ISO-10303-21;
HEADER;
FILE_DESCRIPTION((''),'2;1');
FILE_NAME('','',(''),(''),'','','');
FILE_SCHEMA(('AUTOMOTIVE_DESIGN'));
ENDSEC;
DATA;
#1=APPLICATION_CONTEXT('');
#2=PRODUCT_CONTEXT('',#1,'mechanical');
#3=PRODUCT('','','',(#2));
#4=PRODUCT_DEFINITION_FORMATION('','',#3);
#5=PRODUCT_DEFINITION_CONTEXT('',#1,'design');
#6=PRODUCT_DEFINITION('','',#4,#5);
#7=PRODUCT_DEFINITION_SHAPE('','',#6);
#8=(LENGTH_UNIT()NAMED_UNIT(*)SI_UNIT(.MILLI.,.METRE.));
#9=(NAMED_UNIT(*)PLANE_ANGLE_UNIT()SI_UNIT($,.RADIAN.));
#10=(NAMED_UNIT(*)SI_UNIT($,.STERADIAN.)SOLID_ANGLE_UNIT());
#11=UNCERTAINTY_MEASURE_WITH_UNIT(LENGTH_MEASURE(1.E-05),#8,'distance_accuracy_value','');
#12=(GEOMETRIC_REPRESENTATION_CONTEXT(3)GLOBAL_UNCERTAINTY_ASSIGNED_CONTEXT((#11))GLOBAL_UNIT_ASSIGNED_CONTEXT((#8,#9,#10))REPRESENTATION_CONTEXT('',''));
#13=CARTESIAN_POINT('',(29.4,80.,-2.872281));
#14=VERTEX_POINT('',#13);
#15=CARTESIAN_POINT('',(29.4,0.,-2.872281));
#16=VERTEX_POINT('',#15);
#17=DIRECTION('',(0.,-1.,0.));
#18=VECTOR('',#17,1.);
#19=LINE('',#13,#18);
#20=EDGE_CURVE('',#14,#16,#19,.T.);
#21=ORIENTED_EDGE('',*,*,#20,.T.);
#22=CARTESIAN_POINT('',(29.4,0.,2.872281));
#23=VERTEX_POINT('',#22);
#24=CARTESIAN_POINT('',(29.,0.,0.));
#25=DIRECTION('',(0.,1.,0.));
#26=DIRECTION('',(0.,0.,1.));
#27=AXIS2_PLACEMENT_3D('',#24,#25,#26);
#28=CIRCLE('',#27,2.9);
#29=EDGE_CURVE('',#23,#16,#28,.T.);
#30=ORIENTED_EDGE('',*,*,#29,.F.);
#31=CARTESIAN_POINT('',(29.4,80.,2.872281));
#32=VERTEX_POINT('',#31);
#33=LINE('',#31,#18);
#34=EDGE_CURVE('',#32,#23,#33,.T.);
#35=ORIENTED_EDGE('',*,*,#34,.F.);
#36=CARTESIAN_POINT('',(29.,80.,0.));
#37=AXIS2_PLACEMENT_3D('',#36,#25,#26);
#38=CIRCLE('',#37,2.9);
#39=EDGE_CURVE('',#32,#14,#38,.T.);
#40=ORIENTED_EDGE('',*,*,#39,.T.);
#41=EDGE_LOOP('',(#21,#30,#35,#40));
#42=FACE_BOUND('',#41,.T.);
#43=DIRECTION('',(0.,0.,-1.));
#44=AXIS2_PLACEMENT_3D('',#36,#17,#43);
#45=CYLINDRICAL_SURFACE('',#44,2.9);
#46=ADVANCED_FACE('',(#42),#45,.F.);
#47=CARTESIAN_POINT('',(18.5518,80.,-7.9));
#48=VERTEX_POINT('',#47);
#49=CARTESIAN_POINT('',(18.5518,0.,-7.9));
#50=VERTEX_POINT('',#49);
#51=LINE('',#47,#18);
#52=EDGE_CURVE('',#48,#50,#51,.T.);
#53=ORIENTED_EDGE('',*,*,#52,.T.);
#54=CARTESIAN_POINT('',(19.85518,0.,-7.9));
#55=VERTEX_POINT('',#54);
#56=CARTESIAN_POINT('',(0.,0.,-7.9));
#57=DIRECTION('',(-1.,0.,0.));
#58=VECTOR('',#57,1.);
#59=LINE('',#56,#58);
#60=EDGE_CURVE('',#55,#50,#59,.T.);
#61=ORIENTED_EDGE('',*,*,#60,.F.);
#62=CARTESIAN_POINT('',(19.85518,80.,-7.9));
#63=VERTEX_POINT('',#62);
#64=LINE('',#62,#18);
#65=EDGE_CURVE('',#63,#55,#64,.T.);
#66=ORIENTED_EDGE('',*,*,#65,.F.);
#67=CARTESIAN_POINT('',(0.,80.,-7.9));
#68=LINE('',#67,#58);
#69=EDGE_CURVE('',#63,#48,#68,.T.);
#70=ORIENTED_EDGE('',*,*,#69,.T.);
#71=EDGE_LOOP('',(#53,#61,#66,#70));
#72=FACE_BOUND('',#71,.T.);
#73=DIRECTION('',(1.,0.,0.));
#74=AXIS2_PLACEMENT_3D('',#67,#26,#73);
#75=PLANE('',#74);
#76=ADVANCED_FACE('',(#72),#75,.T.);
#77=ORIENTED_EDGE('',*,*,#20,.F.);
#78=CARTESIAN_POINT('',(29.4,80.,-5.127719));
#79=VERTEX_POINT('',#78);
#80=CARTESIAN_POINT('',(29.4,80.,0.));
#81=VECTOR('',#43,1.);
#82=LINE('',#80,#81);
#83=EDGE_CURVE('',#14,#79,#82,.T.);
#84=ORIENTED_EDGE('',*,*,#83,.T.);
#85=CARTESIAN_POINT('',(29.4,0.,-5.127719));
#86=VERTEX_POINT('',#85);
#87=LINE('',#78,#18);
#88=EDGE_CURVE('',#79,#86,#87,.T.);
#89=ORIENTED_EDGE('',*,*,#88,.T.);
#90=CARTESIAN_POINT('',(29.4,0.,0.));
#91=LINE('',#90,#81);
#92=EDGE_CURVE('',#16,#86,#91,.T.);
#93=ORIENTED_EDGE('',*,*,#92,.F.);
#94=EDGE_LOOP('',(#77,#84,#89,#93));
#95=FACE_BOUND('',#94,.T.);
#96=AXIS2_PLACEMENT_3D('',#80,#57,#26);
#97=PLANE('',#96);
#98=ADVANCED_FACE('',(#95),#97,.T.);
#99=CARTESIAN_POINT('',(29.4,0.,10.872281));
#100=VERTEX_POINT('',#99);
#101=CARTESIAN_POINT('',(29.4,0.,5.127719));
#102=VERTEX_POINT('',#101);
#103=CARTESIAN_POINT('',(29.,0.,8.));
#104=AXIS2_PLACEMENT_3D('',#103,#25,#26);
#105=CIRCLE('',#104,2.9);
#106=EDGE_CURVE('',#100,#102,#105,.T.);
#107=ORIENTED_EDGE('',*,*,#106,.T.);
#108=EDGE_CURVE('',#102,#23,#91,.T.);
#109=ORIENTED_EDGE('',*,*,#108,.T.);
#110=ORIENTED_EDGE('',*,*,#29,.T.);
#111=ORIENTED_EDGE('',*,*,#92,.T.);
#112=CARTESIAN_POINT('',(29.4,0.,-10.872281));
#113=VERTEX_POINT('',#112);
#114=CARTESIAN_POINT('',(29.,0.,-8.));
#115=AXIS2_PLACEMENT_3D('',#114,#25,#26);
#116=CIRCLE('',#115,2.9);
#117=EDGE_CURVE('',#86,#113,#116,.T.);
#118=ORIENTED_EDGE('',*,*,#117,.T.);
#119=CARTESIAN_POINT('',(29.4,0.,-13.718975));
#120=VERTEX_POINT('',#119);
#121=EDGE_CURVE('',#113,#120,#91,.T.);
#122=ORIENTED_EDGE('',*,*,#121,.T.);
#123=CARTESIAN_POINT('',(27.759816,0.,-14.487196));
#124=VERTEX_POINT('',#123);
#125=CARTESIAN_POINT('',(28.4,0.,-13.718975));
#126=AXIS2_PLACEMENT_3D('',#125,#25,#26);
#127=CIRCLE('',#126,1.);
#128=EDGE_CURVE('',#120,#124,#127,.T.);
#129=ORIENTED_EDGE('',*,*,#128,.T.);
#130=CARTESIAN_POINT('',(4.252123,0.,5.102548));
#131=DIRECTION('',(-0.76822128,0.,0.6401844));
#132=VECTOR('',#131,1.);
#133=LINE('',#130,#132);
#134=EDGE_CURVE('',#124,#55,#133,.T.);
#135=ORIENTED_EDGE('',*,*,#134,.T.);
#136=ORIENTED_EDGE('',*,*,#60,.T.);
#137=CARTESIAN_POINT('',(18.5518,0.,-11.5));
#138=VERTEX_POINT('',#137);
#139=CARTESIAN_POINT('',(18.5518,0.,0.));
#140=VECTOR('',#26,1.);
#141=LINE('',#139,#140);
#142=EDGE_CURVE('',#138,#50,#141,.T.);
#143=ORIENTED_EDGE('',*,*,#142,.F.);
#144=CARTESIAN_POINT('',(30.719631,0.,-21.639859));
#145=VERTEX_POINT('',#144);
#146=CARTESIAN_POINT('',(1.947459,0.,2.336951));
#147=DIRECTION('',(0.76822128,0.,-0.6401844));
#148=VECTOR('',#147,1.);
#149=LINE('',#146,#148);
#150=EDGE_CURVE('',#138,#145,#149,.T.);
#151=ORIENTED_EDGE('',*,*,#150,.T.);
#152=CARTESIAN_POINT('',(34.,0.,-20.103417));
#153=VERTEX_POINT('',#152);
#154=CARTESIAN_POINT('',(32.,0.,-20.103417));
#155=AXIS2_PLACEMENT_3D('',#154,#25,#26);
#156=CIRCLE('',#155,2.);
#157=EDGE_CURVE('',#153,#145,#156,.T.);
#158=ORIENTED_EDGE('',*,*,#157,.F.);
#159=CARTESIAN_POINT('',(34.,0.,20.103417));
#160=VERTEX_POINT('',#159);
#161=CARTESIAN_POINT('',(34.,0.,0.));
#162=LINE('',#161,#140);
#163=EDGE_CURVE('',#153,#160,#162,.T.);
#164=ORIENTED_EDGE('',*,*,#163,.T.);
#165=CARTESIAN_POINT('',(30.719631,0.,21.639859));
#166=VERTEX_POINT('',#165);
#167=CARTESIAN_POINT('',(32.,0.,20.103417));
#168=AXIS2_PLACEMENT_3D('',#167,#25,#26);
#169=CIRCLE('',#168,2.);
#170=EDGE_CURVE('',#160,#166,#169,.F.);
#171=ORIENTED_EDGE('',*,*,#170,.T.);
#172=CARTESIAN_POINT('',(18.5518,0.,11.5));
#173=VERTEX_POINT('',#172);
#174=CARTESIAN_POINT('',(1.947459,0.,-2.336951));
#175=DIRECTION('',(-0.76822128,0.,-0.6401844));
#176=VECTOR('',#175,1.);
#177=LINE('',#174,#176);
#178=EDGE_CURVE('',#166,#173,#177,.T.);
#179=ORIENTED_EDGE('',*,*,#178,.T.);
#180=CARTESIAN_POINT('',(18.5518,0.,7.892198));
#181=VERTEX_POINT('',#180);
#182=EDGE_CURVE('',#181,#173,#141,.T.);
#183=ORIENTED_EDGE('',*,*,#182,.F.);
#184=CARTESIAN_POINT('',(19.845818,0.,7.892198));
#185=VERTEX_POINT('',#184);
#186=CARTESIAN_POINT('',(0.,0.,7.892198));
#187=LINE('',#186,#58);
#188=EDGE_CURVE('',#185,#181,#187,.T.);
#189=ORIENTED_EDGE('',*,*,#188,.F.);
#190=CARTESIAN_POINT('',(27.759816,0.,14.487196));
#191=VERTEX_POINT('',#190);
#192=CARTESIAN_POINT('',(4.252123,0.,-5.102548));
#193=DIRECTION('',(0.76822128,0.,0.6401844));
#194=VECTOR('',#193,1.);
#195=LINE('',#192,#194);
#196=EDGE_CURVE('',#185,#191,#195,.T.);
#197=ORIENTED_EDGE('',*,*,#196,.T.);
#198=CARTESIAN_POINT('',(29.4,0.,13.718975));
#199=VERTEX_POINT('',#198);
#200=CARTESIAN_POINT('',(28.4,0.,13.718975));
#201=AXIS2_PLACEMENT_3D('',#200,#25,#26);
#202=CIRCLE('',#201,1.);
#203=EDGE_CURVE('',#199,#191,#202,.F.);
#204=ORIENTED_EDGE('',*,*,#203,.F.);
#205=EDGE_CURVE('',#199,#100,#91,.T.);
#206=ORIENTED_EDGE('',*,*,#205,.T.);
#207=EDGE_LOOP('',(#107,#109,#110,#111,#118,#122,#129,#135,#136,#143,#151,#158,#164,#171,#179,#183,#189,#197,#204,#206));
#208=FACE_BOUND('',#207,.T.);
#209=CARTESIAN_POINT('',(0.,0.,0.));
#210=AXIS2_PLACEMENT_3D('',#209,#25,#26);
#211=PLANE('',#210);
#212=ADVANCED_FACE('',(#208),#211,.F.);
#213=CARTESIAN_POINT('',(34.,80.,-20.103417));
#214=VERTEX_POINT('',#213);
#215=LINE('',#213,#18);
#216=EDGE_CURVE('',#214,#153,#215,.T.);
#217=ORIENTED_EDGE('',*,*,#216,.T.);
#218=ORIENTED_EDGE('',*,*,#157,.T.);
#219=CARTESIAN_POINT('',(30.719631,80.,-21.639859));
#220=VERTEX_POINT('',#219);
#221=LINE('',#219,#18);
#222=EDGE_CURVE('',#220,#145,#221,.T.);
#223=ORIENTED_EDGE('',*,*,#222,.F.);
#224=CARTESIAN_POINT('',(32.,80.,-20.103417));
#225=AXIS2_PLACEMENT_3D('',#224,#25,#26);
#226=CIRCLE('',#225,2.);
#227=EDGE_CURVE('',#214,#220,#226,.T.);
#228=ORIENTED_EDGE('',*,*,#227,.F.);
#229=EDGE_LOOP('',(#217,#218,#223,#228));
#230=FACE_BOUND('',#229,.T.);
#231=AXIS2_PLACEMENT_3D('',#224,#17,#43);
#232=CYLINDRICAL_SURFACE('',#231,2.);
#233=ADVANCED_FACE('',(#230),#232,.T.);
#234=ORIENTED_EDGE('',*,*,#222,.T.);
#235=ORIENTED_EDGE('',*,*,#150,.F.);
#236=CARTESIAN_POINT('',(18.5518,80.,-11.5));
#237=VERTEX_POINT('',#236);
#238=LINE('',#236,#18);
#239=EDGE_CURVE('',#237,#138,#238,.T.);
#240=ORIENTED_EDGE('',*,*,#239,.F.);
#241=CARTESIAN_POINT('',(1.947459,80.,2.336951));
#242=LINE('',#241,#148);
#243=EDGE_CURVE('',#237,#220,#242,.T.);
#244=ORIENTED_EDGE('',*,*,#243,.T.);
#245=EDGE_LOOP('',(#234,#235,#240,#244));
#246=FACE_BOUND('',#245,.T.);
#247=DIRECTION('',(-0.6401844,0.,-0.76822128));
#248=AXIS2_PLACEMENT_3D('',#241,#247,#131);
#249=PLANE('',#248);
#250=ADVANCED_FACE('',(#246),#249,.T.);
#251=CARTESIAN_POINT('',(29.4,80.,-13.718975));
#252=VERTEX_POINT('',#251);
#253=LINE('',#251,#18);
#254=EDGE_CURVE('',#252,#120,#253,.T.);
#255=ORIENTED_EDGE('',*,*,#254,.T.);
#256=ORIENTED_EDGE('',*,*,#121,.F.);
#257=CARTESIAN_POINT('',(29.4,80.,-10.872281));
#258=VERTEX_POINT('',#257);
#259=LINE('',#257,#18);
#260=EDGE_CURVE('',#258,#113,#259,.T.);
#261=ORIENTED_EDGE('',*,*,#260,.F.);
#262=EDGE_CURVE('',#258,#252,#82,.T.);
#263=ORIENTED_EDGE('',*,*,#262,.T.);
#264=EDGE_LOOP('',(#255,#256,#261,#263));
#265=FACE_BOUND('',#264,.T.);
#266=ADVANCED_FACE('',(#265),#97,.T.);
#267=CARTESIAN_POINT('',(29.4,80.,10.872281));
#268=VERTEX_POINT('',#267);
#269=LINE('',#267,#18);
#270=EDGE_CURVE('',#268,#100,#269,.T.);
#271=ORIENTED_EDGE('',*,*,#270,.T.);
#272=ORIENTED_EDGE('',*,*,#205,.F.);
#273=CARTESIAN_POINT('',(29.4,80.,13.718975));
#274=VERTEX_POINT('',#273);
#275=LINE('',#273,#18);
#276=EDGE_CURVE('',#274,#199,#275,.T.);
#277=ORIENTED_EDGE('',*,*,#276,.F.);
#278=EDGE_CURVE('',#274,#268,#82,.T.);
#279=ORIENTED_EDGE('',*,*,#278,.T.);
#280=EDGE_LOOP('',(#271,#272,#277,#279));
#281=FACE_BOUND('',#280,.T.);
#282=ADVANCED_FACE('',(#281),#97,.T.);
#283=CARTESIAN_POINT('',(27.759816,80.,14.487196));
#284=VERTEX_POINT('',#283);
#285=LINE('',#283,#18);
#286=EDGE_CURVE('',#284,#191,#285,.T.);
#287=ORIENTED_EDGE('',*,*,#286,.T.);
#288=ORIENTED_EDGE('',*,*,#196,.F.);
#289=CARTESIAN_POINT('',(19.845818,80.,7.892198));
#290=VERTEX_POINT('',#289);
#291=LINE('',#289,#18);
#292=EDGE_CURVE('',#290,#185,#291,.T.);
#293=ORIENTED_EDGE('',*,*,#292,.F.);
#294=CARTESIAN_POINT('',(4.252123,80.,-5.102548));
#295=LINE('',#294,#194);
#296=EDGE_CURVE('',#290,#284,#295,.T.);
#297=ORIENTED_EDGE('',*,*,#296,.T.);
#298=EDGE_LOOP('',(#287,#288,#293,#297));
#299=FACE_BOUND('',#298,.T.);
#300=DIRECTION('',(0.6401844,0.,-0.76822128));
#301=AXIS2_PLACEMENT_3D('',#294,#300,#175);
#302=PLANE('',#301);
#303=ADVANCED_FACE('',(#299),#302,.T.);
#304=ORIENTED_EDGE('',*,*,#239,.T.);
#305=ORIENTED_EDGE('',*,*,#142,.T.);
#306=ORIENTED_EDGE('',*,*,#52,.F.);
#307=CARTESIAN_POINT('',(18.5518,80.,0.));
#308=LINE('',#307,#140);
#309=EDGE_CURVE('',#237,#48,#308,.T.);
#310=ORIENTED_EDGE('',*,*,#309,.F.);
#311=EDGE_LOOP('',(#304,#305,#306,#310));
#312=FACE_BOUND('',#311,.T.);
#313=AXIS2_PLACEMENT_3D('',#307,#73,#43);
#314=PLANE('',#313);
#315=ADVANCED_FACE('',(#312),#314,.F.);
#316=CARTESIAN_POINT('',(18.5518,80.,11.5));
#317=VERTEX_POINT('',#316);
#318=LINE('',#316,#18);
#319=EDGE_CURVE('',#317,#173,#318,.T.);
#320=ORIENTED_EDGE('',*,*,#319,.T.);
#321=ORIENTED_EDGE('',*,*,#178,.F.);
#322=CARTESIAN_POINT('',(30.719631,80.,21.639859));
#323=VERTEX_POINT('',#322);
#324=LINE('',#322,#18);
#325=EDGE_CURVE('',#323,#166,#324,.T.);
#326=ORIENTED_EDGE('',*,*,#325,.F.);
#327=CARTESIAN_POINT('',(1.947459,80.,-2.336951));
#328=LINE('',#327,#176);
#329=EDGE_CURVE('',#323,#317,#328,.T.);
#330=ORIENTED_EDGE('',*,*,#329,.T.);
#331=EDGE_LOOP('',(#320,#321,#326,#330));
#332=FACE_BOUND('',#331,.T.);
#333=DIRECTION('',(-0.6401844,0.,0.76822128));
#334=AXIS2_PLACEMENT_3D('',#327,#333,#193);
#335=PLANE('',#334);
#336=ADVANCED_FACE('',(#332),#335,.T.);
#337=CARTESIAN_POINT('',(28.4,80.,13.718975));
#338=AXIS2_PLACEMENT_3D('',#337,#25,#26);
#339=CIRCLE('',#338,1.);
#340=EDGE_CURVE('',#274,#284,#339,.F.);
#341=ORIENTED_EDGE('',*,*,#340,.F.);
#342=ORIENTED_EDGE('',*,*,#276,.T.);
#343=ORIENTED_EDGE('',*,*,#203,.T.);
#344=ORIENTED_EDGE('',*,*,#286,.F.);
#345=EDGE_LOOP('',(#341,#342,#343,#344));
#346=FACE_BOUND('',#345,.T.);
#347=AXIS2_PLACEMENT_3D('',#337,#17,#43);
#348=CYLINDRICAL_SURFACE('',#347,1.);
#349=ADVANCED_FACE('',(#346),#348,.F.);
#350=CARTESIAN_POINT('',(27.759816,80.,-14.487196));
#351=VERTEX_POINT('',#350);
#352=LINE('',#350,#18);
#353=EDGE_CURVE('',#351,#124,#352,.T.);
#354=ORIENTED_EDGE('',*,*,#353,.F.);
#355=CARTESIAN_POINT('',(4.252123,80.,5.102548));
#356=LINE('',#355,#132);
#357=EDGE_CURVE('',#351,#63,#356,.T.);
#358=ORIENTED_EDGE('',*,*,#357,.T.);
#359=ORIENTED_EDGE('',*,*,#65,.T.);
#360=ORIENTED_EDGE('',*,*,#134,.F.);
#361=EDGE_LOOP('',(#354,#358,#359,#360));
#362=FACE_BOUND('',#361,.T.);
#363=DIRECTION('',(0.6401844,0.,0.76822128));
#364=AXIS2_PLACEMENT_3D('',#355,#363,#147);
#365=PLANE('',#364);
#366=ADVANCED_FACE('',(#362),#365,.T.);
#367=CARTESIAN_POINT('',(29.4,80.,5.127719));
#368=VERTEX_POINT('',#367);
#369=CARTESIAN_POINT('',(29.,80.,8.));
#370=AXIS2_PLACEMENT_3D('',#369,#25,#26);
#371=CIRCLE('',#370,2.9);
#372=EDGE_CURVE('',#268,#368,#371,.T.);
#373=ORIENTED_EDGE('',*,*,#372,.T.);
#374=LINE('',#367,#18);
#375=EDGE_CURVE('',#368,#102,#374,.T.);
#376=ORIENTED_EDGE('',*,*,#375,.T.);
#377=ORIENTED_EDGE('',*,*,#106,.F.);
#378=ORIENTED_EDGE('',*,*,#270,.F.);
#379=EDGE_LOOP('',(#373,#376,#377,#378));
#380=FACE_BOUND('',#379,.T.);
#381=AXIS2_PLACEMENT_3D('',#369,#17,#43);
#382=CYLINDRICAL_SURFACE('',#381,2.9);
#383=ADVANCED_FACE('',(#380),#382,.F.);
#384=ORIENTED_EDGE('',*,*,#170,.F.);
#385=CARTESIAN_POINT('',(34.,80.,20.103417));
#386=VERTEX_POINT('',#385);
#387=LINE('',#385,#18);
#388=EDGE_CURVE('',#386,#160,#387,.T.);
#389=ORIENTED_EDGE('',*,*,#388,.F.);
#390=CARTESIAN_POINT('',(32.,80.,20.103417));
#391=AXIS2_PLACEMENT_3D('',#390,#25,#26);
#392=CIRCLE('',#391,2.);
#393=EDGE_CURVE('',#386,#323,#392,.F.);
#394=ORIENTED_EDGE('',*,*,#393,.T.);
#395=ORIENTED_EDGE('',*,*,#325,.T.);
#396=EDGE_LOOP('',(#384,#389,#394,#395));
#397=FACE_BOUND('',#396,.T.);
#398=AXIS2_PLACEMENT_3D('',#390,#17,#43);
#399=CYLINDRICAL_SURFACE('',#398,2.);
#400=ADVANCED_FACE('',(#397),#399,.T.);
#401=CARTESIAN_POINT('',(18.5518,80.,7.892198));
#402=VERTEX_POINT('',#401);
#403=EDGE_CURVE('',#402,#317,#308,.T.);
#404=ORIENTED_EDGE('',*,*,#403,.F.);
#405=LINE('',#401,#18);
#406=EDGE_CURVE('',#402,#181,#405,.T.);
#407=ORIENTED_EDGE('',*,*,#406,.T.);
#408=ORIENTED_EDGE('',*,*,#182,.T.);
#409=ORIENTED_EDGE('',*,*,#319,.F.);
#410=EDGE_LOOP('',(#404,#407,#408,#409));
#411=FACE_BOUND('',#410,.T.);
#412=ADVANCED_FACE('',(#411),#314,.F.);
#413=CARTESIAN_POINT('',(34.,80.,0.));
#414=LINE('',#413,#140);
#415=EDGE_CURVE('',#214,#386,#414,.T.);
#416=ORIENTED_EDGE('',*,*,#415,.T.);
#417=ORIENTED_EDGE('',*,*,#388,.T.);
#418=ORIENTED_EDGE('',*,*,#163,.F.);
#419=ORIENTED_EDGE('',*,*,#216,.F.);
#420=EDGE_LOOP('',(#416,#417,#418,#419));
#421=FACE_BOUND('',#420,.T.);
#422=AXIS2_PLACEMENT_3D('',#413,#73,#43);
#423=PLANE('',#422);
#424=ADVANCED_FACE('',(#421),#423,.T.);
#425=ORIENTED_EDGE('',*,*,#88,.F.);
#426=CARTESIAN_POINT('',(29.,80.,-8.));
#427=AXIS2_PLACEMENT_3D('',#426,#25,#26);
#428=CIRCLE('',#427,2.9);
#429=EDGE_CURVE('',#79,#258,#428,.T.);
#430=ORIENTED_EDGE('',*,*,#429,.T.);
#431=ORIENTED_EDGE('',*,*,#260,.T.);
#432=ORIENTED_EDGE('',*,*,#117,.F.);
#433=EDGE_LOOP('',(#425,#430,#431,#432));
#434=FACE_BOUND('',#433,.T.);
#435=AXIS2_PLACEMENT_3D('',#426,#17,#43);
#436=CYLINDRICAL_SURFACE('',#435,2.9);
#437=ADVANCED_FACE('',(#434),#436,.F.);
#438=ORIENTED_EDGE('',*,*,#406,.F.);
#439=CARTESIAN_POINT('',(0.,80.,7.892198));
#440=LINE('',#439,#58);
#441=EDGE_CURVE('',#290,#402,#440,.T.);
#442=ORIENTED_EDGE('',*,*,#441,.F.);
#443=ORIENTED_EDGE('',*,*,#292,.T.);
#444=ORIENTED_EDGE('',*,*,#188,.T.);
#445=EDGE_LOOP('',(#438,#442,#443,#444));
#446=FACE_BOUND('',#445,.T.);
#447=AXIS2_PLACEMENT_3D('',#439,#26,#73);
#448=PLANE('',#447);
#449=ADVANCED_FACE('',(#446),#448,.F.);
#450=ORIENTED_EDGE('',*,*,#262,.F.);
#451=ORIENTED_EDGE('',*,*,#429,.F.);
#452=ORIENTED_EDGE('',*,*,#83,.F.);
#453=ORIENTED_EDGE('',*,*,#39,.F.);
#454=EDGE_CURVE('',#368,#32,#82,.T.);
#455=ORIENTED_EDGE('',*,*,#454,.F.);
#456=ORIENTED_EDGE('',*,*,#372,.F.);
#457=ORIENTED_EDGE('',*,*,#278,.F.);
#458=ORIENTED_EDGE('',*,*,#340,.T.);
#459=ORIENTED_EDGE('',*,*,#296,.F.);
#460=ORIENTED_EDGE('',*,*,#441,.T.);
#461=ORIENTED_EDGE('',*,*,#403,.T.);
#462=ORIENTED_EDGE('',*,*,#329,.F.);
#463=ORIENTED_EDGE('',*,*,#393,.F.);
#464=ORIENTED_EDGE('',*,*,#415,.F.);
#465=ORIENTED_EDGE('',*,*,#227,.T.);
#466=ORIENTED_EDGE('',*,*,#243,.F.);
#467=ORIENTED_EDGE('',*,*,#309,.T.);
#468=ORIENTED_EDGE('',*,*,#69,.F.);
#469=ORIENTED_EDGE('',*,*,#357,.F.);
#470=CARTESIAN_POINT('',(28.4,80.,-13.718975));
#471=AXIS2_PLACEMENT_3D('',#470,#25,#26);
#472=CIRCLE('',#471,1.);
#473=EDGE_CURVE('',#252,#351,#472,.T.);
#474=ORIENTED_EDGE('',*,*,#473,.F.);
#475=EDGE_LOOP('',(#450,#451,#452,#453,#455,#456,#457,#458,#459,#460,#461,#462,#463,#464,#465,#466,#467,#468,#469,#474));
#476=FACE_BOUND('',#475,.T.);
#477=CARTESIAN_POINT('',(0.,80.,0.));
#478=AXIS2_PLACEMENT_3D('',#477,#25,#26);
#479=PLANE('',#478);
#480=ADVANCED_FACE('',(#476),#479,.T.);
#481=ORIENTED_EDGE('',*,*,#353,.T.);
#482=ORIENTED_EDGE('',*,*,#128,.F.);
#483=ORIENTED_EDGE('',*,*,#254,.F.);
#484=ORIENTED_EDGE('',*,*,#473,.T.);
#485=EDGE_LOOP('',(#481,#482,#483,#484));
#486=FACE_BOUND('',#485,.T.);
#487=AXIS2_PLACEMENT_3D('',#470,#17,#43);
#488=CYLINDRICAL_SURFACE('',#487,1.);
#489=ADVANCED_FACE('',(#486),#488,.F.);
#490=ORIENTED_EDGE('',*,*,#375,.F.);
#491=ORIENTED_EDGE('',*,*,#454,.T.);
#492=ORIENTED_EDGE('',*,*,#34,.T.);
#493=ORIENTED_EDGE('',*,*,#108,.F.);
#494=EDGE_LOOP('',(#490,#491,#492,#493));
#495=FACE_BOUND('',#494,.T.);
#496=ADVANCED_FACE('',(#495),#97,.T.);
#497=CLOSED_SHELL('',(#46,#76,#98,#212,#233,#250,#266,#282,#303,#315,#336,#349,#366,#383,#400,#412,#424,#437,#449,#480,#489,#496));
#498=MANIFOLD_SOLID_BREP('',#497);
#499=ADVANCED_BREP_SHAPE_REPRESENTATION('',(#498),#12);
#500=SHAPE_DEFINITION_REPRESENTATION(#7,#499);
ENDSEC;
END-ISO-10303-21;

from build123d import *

# Parameters (mm, degrees)
BOSS_EXTRUDE1_DEPTH = 80


with BuildPart() as part:
    # Sketch1 → Boss-Extrude1 (new body)
    with BuildSketch(Plane(origin=(0, 0, 0), x_dir=(1, 0, 0), z_dir=(0, 1, 0))):
        with BuildLine():
            Line((18.551800259, 11.5), (18.551800259, 7.9))
            Line((18.551800259, 7.9), (19.855180026, 7.9))
            Line((19.855180026, 7.9), (27.7598156, 14.487196312))
            ThreePointArc((27.7598156, 14.487196312), (28.824155396, 14.624564454), (29.4, 13.718975032))
            Line((29.4, 13.718975032), (29.4, 10.872281323))
            ThreePointArc((29.4, 10.872281323), (31.9, 8), (29.4, 5.127718677))
            Line((29.4, 5.127718677), (29.4, 2.872281323))
            ThreePointArc((29.4, 2.872281323), (31.9, 0), (29.4, -2.872281323))
            Line((29.4, -2.872281323), (29.4, -5.127718677))
            ThreePointArc((29.4, -5.127718677), (31.9, -8), (29.4, -10.872281323))
            Line((29.4, -10.872281323), (29.4, -13.718975032))
            ThreePointArc((29.4, -13.718975032), (28.824155396, -14.624564454), (27.7598156, -14.487196312))
            Line((27.7598156, -14.487196312), (19.845818206, -7.892198484))
            Line((19.845818206, -7.892198484), (18.551800259, -7.892198484))
            Line((18.551800259, -7.892198484), (18.551800259, -11.5))
            Line((18.551800259, -11.5), (30.719631201, -21.639859118))
            ThreePointArc((30.719631201, -21.639859118), (32.848310792, -21.914595401), (34, -20.103416559))
            Line((34, -20.103416559), (34, 20.103416559))
            ThreePointArc((34, 20.103416559), (32.848310792, 21.914595401), (30.719631201, 21.639859118))
            Line((30.719631201, 21.639859118), (18.551800259, 11.5))
        make_face()
    extrude(amount=BOSS_EXTRUDE1_DEPTH)


solid = part.part
